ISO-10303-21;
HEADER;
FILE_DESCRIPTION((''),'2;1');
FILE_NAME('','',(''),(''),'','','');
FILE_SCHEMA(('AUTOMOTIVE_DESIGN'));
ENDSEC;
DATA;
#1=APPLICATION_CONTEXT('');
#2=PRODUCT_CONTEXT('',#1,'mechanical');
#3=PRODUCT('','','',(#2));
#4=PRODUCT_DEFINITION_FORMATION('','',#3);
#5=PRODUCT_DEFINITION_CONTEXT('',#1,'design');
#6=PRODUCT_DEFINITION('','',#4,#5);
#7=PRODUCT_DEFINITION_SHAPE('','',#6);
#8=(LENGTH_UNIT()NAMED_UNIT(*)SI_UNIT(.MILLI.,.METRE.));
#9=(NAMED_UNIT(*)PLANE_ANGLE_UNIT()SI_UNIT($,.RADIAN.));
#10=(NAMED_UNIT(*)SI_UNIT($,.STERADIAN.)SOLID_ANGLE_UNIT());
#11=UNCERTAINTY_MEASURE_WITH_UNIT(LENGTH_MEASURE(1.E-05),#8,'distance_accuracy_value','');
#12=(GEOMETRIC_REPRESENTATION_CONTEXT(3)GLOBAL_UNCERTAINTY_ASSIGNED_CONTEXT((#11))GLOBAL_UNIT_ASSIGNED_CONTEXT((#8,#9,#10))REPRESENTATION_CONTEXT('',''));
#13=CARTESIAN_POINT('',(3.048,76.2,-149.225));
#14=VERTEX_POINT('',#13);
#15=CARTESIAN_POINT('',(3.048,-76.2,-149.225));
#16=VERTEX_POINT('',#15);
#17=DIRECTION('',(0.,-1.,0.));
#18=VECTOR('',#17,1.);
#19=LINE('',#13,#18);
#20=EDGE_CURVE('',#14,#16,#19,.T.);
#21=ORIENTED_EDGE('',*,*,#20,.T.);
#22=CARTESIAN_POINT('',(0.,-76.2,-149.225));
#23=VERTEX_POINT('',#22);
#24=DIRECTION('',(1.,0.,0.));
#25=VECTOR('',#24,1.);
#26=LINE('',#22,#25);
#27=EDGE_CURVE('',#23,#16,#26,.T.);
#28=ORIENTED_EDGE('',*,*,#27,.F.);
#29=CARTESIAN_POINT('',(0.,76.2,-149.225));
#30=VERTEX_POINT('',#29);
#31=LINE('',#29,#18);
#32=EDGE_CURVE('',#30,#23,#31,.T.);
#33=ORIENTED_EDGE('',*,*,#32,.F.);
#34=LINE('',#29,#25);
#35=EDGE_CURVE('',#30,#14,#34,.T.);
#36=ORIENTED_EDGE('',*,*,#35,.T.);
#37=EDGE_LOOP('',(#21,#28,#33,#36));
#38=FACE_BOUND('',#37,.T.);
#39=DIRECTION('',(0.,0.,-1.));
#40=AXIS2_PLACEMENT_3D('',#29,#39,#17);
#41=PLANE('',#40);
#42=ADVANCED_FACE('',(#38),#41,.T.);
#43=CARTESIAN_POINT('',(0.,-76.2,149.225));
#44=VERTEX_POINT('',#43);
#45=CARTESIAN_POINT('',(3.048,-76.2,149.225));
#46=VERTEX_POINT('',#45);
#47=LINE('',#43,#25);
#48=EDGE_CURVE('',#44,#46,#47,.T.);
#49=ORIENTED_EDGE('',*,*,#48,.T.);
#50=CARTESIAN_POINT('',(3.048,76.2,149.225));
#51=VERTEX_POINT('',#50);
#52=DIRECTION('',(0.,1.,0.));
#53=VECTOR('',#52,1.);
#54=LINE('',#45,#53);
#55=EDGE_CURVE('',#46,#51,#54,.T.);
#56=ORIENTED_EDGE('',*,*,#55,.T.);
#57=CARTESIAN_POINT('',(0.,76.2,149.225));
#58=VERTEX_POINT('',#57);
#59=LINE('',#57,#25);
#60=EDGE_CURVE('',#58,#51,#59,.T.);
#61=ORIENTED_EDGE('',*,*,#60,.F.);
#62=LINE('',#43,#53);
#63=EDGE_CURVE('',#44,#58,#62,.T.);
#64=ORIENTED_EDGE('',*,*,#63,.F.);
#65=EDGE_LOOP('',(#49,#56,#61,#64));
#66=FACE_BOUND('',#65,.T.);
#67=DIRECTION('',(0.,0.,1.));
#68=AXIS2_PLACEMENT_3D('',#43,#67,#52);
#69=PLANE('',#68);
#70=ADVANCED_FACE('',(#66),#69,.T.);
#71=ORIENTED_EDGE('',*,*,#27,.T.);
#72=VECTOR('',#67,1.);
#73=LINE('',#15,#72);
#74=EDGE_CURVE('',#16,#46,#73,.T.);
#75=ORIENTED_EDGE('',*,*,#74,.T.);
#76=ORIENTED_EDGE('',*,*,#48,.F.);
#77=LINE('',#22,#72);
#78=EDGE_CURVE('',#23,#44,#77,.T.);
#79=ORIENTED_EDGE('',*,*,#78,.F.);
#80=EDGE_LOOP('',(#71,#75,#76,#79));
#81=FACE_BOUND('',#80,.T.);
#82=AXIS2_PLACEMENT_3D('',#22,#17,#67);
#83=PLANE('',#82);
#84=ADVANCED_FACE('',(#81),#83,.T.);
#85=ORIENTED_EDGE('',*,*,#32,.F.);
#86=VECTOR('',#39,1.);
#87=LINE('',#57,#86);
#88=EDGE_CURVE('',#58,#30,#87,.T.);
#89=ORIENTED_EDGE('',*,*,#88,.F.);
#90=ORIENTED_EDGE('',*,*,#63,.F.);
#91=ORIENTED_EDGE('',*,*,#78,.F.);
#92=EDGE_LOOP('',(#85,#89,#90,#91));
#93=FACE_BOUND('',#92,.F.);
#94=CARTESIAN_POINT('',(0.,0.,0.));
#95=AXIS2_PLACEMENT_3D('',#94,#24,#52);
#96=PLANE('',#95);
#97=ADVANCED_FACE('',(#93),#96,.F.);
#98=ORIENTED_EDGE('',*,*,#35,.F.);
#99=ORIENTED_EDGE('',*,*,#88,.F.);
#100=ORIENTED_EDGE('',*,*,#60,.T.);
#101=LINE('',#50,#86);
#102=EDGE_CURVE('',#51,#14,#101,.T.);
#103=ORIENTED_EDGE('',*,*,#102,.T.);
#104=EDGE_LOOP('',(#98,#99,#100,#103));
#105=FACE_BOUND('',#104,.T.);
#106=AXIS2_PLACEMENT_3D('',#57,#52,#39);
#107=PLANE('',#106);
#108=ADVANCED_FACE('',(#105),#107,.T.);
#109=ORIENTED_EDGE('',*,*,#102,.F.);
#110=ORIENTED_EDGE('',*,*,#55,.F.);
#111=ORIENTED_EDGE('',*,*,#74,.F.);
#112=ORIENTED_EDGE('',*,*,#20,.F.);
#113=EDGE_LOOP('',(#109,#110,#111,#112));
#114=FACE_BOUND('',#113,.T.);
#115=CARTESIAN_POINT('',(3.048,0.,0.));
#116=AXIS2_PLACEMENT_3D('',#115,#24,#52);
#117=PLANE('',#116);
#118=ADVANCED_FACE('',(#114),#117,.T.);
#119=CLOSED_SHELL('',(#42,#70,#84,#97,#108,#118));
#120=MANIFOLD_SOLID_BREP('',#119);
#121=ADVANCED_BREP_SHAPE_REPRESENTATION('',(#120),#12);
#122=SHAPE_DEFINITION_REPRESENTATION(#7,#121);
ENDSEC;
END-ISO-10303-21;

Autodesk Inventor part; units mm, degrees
ref_plane "YZ Plane" through (0, 0, 0) normal (1, 0, 0) x (0, 1, 0)
ref_plane "XZ Plane" through (0, 0, 0) normal (0, 1, 0) x (-1, 0, 0)
ref_plane "XY Plane" through (0, 0, 0) normal (0, 0, 1) x (1, 0, 0)
sketch "Sketch1" plane through (0, 0, 0) normal (1, 0, 0) x (0, 1, 0)
  line L0 (76.2, -149.225) -> (-76.2, -149.225)
  line L1 (-76.2, -149.225) -> (-76.2, 149.225)
  line L2 (-76.2, 149.225) -> (76.2, 149.225)
  line L3 (76.2, 149.225) -> (76.2, -149.225)
  line L4 (76.2, -149.225) -> (-76.2, 149.225) construction
  line L5 (-76.2, -149.225) -> (76.2, 149.225) construction
  point P0 (0, 0)
  dimension "d0" = 298.45
  dimension "d1" = 152.4
extrude "Plate1" add sketch "Sketch1" along normal blind 3.048
equation "\"d2\" = Thickness"
equation "\"BendRadius\" = Thickness"
equation "\"BendReliefWidth\" = Thickness"
equation "\"BendReliefDepth\" = 0.5 * Thickness"
equation "\"CornerReliefSize\" = 4 * Thickness"
equation "\"MinimumRemnant\" = 2 * Thickness"
equation "\"TransitionRadius\" = BendRadius"
equation "\"JacobiRadiusSize\" = BendRadius"
equation "\"GapSize\" = Thickness"
equation "\"Thickness\" = 3.048"
properties part number "CornerBrace"
